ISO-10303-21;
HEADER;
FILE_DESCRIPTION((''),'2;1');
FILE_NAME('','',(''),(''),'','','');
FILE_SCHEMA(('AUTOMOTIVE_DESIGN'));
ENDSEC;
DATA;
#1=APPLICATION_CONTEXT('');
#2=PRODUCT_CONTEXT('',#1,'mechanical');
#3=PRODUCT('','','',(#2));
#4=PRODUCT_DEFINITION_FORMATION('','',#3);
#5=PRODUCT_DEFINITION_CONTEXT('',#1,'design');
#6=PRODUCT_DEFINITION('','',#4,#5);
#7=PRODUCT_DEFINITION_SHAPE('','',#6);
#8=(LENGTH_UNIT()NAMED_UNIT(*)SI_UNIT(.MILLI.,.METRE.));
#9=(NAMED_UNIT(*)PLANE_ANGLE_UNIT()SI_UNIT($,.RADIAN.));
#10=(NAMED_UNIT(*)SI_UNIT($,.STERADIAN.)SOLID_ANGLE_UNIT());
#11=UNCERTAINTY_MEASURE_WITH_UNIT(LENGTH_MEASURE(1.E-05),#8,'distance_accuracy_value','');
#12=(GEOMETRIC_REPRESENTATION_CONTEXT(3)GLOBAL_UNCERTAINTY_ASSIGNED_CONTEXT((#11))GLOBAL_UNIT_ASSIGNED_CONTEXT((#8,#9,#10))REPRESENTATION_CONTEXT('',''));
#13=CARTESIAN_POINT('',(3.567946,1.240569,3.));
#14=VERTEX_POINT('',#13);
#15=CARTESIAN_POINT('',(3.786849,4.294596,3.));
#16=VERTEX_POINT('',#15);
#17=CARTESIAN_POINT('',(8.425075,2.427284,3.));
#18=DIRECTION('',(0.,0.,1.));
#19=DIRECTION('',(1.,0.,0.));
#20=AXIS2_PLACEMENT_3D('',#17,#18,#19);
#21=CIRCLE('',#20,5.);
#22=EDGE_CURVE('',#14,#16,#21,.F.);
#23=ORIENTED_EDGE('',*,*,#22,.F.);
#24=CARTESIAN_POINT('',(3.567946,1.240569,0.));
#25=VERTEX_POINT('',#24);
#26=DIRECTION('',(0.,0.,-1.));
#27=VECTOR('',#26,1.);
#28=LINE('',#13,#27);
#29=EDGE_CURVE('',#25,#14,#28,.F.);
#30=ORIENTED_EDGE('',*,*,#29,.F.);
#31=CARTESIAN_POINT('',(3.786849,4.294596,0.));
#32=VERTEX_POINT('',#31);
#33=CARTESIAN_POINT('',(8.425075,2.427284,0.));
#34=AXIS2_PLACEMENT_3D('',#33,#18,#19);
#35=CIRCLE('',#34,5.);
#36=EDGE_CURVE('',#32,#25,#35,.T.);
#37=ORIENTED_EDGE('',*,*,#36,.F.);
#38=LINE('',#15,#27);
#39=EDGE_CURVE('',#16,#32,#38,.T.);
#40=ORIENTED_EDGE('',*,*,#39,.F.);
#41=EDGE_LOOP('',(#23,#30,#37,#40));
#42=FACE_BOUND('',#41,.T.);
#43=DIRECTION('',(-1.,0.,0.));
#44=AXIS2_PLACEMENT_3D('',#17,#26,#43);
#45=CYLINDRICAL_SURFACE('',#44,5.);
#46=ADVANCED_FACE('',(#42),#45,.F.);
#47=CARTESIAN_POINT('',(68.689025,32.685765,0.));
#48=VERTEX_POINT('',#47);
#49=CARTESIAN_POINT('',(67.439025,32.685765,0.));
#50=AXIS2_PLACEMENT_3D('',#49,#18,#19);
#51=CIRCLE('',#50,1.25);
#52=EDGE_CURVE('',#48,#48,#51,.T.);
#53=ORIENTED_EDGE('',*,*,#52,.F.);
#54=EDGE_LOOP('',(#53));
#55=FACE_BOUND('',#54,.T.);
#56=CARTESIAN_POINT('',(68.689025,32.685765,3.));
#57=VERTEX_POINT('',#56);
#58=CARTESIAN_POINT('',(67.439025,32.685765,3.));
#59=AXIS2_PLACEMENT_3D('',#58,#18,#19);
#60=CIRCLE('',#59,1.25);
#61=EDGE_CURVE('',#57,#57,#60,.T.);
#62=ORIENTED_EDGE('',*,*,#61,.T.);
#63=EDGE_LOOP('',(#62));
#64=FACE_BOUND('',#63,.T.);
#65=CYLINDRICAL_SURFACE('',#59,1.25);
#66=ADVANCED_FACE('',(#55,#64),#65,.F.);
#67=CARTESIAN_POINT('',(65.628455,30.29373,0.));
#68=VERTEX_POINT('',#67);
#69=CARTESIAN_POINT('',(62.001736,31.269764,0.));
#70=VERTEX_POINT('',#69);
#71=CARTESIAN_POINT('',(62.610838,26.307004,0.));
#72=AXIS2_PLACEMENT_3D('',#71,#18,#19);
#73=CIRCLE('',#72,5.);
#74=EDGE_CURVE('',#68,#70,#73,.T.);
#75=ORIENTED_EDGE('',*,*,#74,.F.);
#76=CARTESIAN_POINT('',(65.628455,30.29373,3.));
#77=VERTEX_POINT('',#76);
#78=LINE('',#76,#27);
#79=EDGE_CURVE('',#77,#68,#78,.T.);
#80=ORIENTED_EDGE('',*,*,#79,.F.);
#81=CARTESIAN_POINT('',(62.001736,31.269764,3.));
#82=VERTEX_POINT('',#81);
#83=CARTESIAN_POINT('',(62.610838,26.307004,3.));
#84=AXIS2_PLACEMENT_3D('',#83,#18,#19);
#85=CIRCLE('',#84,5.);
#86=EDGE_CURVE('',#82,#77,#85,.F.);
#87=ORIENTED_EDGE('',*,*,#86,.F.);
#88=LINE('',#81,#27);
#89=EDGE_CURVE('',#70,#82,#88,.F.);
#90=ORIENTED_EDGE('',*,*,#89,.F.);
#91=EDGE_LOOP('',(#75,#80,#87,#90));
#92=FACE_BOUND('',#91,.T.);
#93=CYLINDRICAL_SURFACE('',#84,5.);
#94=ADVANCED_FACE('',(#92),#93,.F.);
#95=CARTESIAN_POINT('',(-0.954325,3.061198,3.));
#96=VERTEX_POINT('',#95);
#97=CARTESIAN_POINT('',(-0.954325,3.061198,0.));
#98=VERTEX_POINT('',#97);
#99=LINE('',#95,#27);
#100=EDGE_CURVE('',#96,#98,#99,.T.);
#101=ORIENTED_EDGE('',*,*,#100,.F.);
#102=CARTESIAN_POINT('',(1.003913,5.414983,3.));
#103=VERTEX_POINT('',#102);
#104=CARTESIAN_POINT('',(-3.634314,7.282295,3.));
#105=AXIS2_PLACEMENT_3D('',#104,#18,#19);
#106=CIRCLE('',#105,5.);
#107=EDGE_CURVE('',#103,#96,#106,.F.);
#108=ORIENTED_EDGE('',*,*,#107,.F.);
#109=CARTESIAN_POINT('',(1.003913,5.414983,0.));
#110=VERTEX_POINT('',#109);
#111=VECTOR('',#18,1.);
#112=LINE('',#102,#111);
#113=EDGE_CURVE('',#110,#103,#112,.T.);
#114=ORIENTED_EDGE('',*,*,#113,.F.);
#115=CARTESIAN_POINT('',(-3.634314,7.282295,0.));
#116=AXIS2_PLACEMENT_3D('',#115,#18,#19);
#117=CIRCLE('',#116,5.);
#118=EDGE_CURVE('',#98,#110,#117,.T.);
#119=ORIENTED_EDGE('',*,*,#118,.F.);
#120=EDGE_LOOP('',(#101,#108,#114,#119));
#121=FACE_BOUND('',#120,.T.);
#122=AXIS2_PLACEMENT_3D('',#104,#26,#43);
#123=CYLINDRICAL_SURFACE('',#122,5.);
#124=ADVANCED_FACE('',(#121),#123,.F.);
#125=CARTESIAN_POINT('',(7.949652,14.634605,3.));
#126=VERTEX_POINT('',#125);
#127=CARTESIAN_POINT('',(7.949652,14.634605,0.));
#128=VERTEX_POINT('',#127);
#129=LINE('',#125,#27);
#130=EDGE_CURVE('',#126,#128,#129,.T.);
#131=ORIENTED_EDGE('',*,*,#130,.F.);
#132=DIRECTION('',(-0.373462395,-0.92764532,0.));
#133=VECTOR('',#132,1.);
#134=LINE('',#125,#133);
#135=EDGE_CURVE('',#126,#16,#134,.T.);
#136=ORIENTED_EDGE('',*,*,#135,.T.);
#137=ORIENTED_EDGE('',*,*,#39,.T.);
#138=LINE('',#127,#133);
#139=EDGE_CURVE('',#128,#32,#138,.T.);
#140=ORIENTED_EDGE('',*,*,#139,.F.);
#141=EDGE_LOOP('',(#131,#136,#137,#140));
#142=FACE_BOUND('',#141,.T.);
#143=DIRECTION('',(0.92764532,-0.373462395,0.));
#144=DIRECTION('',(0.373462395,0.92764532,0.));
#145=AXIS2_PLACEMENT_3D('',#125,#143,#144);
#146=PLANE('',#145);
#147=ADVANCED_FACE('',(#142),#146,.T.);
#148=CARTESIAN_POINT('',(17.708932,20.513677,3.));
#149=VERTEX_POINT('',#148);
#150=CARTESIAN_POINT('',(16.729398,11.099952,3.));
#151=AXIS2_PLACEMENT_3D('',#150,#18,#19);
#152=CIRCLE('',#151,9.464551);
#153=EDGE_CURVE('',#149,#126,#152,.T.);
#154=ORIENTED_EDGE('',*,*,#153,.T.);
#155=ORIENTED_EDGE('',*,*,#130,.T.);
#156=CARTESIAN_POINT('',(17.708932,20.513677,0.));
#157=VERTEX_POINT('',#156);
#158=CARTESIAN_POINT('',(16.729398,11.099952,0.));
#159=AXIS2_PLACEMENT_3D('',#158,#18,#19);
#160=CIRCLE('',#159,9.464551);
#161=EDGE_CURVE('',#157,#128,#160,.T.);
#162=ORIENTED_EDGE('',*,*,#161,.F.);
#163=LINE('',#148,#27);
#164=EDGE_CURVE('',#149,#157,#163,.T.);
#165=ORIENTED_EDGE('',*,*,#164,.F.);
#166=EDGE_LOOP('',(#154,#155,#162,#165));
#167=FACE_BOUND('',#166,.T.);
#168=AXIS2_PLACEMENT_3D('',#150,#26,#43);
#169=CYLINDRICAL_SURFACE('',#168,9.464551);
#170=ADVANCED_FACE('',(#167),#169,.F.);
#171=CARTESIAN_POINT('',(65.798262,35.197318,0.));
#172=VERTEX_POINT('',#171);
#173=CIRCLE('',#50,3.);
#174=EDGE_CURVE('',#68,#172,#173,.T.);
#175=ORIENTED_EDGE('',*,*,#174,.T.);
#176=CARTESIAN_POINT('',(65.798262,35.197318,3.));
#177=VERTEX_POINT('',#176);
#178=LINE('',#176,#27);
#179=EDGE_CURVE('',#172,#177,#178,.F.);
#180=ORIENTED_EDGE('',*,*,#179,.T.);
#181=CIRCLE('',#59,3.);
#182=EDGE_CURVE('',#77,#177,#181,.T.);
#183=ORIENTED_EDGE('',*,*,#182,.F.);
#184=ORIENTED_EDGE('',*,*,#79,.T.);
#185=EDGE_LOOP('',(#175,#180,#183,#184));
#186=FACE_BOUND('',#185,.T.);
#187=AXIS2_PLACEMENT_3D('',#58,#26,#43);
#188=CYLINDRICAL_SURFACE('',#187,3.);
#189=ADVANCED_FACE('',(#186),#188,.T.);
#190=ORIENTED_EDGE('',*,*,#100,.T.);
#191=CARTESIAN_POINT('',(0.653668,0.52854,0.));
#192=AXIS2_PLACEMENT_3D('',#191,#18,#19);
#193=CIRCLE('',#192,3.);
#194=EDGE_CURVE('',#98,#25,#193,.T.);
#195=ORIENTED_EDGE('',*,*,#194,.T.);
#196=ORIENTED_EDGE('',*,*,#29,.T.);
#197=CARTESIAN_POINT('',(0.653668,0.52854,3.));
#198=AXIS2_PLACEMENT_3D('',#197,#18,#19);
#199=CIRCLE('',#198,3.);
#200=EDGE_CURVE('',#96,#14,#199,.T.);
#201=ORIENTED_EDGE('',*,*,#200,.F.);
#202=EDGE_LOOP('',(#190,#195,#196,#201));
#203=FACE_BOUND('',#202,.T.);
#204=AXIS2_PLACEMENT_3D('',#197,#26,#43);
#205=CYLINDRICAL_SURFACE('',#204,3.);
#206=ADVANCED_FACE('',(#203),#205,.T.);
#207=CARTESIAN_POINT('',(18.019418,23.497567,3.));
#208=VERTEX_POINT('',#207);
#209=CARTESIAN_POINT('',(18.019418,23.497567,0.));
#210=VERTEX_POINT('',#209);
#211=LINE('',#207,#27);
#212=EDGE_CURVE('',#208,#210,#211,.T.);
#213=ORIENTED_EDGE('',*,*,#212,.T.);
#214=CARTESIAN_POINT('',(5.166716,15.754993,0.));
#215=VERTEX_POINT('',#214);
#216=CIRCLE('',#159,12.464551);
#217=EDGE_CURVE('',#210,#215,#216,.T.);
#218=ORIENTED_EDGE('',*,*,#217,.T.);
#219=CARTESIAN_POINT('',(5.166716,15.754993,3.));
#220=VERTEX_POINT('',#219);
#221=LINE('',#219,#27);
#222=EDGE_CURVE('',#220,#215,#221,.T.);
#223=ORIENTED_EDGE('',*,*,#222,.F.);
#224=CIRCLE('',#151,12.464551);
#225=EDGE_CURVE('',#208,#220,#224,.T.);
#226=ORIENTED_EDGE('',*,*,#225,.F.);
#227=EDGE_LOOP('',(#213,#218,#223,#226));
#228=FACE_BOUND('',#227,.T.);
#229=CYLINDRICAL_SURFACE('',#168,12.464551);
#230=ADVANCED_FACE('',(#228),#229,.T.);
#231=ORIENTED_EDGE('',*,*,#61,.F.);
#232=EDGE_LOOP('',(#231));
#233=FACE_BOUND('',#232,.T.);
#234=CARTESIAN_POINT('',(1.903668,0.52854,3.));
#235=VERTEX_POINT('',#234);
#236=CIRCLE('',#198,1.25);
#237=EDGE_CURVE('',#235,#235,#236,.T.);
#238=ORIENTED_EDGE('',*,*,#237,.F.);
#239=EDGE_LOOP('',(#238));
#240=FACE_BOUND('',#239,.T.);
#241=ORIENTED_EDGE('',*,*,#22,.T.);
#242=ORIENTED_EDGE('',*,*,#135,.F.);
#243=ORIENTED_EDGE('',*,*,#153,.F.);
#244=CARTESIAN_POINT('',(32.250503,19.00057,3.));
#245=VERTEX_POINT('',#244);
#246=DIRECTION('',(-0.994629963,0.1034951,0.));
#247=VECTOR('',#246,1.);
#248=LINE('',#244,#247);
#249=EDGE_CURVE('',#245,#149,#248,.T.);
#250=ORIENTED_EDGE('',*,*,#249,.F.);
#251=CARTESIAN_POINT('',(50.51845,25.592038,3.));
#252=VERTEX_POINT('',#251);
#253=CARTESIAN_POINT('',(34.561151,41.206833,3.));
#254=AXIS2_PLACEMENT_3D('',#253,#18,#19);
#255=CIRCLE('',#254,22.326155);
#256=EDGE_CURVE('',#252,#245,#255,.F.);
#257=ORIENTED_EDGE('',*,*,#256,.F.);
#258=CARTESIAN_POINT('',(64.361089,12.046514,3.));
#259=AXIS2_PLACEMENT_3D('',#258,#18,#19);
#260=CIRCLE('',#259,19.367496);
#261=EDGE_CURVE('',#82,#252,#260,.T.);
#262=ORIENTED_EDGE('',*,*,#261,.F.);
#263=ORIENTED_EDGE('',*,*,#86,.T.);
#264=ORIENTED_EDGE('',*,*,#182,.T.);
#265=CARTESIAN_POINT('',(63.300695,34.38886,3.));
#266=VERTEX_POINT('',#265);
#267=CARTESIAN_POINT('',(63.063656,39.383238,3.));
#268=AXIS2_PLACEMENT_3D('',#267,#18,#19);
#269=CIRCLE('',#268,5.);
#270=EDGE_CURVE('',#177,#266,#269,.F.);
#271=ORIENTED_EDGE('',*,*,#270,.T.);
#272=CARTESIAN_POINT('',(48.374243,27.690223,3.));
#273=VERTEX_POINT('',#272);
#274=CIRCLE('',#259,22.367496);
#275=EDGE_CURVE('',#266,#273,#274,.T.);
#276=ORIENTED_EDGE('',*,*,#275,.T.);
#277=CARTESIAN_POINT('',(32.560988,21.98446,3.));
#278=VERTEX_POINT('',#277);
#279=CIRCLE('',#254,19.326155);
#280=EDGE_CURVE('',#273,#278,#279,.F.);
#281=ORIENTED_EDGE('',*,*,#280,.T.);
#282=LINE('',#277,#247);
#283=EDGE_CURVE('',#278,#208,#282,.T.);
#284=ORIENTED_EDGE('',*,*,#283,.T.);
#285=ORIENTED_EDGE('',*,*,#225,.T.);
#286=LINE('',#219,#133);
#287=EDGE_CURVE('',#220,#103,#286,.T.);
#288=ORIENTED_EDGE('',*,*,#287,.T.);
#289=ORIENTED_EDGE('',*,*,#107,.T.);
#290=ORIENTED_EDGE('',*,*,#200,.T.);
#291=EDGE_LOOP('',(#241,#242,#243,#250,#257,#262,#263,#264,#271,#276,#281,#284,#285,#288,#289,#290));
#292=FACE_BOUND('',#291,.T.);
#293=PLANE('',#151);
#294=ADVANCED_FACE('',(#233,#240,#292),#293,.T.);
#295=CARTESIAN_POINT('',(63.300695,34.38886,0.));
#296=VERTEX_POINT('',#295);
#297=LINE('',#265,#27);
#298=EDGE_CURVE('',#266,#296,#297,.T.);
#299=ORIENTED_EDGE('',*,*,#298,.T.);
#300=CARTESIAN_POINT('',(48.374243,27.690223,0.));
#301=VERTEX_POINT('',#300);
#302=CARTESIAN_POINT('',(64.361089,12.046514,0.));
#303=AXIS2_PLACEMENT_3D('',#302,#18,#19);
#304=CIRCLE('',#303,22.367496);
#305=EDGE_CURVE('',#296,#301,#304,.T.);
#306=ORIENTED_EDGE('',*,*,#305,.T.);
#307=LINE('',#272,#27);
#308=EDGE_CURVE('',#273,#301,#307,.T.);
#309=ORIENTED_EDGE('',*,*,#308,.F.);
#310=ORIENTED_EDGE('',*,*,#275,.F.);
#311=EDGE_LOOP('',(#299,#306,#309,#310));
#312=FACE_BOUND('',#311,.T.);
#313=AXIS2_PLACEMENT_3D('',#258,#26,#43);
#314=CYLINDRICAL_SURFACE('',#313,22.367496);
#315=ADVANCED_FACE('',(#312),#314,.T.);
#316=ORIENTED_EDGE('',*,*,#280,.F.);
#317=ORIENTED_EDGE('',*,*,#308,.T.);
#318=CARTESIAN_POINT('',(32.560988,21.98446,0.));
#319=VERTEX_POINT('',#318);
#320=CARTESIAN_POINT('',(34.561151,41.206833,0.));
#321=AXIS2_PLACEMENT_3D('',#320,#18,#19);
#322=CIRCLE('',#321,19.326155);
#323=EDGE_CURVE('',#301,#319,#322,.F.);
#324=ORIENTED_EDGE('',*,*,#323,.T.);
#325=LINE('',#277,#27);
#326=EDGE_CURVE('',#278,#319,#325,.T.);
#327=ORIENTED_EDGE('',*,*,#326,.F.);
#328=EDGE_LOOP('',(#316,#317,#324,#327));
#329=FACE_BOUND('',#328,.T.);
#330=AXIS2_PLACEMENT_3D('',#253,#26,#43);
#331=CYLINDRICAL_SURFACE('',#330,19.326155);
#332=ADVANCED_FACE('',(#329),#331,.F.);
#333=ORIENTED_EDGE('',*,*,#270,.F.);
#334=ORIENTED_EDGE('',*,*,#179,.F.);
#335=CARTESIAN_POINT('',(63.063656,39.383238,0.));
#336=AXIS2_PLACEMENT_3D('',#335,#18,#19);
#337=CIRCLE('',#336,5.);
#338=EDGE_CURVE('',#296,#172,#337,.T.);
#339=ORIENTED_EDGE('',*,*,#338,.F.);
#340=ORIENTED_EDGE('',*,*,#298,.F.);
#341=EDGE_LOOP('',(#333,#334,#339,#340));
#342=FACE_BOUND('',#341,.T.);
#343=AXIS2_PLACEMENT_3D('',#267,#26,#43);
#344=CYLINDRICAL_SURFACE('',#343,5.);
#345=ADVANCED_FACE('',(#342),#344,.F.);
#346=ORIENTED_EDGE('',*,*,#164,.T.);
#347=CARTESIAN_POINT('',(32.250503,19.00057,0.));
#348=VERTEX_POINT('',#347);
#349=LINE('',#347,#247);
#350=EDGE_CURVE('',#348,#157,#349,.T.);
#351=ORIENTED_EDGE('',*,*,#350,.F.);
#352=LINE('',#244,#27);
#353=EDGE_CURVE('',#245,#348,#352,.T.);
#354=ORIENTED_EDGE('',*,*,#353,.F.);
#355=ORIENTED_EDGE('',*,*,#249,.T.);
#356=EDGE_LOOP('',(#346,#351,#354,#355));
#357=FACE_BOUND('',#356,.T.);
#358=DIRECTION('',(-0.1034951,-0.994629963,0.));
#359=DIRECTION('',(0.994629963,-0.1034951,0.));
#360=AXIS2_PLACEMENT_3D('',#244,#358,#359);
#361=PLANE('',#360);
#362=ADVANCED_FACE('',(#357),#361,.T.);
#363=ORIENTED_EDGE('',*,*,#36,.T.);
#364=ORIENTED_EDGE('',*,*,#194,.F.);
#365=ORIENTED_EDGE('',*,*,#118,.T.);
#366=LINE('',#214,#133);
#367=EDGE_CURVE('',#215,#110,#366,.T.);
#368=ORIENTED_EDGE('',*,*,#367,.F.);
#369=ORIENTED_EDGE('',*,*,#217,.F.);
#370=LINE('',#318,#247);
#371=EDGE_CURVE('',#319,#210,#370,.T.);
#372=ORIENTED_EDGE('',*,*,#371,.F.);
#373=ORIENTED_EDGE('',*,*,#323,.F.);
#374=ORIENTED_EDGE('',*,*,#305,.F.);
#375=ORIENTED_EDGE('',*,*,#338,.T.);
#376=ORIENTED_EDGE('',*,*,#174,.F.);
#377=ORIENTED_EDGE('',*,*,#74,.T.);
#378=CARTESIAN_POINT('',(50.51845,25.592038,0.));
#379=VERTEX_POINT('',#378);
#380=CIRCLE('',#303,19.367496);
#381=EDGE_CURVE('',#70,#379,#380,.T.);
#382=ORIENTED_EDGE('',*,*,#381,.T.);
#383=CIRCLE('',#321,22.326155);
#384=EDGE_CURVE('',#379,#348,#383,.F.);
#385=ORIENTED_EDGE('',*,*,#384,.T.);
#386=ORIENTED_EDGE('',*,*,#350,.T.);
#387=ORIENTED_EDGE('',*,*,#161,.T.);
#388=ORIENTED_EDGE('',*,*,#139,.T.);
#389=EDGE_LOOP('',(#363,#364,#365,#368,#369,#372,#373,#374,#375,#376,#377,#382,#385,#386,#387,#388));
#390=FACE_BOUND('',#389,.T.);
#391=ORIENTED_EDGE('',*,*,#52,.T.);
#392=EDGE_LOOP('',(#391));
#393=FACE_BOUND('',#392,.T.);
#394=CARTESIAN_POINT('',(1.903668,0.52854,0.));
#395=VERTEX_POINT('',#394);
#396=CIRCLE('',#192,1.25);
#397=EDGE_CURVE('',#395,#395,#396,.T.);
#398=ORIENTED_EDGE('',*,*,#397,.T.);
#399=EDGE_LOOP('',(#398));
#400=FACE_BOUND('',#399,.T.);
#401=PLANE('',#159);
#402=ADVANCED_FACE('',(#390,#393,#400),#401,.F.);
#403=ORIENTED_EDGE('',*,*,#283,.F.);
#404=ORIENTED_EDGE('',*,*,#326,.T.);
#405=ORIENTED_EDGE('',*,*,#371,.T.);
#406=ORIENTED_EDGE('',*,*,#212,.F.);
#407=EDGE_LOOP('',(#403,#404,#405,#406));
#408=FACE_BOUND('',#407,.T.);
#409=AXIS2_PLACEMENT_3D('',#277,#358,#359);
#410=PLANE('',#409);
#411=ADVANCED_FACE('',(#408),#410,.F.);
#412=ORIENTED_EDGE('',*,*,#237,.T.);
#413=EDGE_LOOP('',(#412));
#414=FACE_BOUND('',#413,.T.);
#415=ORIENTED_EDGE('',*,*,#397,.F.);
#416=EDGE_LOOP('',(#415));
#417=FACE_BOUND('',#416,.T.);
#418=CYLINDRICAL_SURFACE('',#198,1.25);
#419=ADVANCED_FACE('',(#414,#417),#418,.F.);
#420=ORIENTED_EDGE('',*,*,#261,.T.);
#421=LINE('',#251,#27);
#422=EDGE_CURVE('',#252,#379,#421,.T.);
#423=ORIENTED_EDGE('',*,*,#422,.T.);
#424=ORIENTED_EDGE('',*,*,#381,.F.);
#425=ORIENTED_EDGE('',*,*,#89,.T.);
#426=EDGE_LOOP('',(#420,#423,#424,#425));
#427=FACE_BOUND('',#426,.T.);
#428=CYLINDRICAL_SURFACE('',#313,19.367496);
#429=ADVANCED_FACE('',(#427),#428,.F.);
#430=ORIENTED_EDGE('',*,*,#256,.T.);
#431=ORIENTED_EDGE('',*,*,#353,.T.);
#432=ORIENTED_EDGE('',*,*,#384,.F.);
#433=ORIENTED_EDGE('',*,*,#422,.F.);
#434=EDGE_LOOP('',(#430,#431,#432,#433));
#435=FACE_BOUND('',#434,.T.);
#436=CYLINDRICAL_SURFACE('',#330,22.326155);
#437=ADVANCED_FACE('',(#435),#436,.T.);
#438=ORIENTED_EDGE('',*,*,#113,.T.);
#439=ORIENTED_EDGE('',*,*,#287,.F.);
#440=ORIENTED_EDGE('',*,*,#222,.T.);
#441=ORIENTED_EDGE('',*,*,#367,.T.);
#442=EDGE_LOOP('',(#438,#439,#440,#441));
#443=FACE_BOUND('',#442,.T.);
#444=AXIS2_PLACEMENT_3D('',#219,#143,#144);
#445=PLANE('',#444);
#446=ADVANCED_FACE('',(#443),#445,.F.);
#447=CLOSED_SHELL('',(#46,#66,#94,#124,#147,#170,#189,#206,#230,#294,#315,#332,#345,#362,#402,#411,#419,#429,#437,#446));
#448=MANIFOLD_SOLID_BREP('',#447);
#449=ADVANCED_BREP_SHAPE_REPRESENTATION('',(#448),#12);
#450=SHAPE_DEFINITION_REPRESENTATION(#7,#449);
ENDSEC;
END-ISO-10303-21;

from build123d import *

# Parameters (mm, degrees)
EXTRUDE_THIN1_DEPTH   = 3
SKETCH1_3_R           = 3
BOSS_EXTRUDE1_DEPTH   = 3
FILLET1_R             = 5
F_2_5MM_DOWEL_HOLE1_D = 2.5


with BuildPart() as part:
    # Sketch1 → Extrude-Thin1 (new body)
    with BuildSketch(Plane.XY):
        with BuildLine():
            ThreePointArc((67.660273857, 34.169358704), (57.237958415, 33.249482811), (48.374242711, 27.690222541))
            ThreePointArc((48.374242711, 27.690222541), (41.120514889, 23.027861475), (32.560988498, 21.984460302))
            Line((32.560988498, 21.984460302), (18.0194176, 23.497567077))
            ThreePointArc((18.0194176, 23.497567077), (10.297542455, 21.776854665), (5.1667157, 15.754992513))
            Line((5.1667157, 15.754992513), (-0.737799909, 1.088733357))
            Line((-0.737799909, 1.088733357), (2.04513605, -0.031653828))
            Line((2.04513605, -0.031653828), (7.949651659, 14.634605328))
            ThreePointArc((7.949651659, 14.634605328), (11.845577871, 19.207110251), (17.7089323, 20.513677186))
            Line((17.7089323, 20.513677186), (32.250503198, 19.000570412))
            ThreePointArc((32.250503198, 19.000570412), (42.138725285, 20.205938799), (50.518449629, 25.592038399))
            ThreePointArc((50.518449629, 25.592038399), (58.193335463, 30.40567292), (67.217776658, 31.202172119))
            Line((67.217776658, 31.202172119), (67.660273857, 34.169358704))
        make_face()
    extrude(amount=EXTRUDE_THIN1_DEPTH)

    # Sketch1<3> → Boss-Extrude1 (add, through all)
    with BuildSketch(Plane.XY):
        with Locations((0.653668071, 0.528539764)):
            Circle(SKETCH1_3_R)
        with Locations((67.439025258, 32.685765412)):
            Circle(SKETCH1_3_R)
    extrude(amount=BOSS_EXTRUDE1_DEPTH)

    # Fillet1
    fillet1_edges = [part.edges().sort_by_distance(p)[0] for p in [
        (0.232483855, 3.498826595, 1.5),
        (3.015419815, 2.37843941, 1.5),
        (64.723514108, 31.410618677, 1.5),
        (64.980819062, 34.405423023, 1.5),
    ]]
    fillet(fillet1_edges, radius=FILLET1_R)

    # Ø2.5mm Dowel Hole1 (through all)
    with Locations(Plane.XY.offset(3)):
        with Locations((67.439025258, 32.685765412), (0.653668071, 0.528539764)):
            Hole(F_2_5MM_DOWEL_HOLE1_D / 2)


solid = part.part
